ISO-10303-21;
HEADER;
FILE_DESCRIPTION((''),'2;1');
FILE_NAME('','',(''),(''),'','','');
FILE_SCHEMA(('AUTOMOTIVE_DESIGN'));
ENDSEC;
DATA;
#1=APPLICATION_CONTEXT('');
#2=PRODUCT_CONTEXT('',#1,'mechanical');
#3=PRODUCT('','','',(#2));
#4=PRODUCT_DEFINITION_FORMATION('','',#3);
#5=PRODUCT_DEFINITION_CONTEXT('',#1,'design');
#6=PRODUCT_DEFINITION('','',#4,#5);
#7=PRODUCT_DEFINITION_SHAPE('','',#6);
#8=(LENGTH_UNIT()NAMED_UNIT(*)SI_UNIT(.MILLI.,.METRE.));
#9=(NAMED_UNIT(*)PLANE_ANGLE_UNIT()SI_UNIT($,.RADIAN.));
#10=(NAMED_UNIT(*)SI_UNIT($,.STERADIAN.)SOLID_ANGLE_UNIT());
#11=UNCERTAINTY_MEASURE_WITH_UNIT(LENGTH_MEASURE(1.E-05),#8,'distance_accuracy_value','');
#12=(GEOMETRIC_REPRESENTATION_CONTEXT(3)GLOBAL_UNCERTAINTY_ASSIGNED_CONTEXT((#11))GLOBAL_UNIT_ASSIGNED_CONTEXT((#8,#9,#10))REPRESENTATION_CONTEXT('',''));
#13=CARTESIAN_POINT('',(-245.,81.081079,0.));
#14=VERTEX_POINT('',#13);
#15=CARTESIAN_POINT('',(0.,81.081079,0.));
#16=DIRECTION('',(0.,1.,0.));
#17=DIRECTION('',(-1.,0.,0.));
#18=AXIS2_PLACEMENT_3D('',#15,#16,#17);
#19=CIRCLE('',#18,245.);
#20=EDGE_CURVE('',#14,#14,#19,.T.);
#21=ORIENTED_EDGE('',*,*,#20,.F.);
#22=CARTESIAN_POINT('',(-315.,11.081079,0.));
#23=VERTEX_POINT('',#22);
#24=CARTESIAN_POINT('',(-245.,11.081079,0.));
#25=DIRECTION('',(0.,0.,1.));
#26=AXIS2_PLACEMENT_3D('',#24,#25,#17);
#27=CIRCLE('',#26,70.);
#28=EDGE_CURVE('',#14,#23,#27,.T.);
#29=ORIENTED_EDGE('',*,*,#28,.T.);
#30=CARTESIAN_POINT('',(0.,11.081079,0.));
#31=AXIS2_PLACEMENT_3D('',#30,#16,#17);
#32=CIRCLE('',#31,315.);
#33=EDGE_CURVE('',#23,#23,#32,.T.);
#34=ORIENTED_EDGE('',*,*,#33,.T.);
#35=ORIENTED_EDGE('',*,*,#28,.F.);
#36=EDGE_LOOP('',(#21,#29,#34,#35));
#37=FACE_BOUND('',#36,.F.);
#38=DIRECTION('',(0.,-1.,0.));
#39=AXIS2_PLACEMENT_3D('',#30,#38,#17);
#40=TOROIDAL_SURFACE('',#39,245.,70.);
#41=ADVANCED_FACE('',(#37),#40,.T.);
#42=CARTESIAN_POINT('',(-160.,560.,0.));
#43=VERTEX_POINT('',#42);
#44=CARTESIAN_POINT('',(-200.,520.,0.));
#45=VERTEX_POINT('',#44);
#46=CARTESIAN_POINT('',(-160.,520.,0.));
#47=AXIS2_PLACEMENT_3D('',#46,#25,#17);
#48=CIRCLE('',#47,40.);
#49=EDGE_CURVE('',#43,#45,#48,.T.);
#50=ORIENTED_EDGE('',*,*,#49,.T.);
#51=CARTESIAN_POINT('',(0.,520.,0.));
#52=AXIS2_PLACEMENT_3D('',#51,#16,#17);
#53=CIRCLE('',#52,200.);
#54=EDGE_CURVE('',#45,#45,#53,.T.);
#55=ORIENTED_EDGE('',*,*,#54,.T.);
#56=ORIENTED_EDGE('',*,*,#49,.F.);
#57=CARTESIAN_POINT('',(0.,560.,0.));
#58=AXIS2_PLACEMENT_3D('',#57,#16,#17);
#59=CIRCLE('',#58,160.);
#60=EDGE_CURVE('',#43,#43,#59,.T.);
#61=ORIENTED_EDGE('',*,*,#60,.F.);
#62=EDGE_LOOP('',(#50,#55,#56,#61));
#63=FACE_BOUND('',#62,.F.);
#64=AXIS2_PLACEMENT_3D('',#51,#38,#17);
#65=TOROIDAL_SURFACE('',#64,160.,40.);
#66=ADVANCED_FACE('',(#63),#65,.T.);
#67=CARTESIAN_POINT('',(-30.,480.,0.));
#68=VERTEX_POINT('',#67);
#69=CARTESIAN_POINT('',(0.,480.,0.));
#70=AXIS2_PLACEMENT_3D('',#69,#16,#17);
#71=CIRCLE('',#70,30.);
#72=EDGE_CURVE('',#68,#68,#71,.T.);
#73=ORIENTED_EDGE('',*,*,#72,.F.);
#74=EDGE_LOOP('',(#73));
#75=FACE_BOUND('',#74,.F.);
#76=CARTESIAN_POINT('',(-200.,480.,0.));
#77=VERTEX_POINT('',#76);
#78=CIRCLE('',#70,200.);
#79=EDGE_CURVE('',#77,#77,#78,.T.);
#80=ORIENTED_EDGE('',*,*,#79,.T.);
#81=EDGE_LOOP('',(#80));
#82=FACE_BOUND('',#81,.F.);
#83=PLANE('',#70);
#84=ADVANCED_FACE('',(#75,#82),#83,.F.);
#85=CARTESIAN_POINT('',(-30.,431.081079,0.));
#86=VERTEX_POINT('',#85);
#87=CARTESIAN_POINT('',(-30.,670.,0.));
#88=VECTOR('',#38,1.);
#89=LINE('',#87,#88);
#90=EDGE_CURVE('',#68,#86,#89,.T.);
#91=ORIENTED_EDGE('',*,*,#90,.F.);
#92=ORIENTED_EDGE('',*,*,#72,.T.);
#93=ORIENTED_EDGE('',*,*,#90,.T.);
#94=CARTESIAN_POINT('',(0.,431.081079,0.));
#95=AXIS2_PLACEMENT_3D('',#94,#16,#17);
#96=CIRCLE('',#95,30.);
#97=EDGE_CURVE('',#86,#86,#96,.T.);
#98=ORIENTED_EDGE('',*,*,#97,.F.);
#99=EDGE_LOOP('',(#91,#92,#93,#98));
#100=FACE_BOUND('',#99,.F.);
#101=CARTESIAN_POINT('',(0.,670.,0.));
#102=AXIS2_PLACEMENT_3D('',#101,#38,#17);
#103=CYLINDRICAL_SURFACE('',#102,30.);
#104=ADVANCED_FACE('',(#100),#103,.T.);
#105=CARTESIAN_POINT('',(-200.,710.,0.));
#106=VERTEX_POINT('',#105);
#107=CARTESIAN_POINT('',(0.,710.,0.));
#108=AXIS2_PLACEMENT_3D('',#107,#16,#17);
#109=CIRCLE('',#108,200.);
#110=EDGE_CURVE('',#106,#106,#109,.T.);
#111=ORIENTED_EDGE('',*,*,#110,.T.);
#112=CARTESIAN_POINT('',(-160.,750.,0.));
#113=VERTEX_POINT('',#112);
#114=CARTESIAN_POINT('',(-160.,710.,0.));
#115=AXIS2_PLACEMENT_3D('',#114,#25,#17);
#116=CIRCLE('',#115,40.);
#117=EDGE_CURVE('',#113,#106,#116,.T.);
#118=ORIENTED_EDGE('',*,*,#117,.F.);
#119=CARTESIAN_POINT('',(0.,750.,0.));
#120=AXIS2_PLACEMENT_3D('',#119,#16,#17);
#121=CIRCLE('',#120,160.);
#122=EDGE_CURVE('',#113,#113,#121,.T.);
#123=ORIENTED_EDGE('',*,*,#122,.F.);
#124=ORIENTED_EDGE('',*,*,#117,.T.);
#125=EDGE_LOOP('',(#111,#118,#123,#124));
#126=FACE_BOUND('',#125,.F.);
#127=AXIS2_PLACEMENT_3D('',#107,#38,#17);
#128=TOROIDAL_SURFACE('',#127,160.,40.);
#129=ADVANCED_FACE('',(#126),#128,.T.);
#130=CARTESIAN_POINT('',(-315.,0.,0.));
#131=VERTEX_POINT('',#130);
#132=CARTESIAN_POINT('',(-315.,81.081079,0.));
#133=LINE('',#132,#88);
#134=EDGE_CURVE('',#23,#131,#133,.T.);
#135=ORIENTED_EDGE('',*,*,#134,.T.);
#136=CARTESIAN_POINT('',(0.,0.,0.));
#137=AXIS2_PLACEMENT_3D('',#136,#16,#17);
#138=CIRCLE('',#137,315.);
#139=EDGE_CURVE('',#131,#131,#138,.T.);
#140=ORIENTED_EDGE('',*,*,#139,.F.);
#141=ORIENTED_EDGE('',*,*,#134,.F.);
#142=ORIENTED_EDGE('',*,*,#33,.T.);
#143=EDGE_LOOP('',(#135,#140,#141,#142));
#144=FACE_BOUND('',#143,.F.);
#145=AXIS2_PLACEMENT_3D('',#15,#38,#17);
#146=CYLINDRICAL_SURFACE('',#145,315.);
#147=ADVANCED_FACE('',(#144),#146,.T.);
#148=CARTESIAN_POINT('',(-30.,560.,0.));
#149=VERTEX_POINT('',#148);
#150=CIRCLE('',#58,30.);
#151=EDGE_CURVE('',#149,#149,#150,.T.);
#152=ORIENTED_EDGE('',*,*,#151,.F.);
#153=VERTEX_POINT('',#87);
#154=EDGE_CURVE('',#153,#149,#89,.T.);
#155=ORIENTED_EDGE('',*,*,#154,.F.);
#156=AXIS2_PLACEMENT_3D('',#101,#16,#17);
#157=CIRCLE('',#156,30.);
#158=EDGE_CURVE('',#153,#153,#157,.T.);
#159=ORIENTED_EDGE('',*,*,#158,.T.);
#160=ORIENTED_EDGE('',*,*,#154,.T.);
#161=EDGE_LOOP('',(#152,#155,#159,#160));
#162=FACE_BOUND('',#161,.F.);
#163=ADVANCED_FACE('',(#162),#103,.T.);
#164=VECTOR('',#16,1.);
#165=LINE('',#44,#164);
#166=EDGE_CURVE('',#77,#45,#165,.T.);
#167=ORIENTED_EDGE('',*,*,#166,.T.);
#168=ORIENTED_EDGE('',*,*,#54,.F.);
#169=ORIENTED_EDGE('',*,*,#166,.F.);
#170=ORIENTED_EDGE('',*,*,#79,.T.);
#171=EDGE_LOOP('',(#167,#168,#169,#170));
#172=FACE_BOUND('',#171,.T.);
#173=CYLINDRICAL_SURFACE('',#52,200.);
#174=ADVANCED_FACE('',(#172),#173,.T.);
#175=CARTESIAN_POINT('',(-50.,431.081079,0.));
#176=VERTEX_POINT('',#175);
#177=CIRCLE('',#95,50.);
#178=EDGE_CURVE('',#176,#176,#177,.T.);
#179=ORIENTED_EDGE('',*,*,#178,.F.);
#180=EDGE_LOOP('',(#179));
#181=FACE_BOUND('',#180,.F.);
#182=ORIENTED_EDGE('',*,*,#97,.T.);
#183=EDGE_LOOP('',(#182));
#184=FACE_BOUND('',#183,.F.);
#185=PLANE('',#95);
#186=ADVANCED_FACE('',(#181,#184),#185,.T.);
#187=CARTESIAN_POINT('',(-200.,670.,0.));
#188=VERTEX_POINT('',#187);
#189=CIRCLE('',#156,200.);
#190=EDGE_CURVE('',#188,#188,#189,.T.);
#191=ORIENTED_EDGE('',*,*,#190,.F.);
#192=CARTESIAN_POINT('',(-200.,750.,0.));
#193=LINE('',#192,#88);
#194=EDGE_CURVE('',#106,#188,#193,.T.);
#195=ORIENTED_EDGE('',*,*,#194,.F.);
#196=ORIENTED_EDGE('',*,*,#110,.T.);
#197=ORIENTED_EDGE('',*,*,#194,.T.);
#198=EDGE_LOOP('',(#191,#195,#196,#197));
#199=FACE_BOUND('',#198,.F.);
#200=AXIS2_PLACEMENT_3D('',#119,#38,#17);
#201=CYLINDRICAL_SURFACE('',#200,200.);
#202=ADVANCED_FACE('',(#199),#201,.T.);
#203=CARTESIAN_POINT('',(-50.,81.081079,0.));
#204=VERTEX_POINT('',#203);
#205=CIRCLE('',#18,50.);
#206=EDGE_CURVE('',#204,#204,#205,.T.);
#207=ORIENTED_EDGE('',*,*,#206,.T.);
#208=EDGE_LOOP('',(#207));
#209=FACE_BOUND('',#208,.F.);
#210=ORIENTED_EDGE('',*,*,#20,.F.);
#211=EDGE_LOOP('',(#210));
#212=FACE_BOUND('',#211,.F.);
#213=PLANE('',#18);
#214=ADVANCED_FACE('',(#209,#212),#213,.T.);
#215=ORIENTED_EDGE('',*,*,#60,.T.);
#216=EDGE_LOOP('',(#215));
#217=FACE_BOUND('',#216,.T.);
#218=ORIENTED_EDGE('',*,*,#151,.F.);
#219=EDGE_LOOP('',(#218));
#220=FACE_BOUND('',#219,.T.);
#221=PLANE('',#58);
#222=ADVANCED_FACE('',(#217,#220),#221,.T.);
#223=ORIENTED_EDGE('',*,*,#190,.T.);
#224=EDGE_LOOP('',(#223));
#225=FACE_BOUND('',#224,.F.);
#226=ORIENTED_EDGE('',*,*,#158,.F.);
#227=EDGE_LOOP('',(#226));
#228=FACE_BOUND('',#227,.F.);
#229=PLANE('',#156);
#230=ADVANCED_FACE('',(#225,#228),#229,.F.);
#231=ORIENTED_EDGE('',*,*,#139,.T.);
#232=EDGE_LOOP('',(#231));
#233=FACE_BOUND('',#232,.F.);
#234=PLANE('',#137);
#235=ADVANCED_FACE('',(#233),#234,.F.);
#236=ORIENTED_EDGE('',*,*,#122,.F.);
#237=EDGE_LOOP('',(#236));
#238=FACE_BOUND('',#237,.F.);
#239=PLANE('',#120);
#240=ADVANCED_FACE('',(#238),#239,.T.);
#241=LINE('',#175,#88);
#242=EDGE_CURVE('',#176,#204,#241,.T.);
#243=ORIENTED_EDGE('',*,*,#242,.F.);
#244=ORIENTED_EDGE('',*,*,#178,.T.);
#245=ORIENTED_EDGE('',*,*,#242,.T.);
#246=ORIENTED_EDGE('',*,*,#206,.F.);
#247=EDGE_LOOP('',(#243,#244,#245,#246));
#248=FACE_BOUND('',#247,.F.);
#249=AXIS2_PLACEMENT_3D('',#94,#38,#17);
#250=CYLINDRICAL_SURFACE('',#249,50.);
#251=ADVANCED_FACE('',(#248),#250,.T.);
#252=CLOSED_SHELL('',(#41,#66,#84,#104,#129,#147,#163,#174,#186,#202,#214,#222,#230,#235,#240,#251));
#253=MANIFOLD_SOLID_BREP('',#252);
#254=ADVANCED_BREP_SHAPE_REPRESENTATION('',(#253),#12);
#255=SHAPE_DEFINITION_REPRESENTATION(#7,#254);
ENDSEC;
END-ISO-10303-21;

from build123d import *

# Parameters (mm, degrees)
F0_W   = 30
F0_H   = 110
F0_H_2 = 80
F0_H_3 = 48.918920987
F0_W_2 = 170
F2_R   = 40
F3_R   = 40
F4_R   = 70


with BuildPart() as f1:
    # F0 (on Top) → F1 (revolve)
    with BuildSketch(Plane.XY):
        Polygon((-30, 670), (0, 670), (0, 750), (-200, 750), (-200, 670), align=None)
        with Locations((-15, 615)):
            Rectangle(F0_W, F0_H)
        with Locations((-15, 520)):
            Rectangle(F0_W, F0_H_2)
        with Locations((-15, 455.5405395065)):
            Rectangle(F0_W, F0_H_3)
        with Locations((-115, 520)):
            Rectangle(F0_W_2, F0_H_2)
        Polygon((-50, 81.081079013), (0, 81.081079013), (0, 431.081079013), (-30, 431.081079013), (-50, 431.081079013), align=None)
        Polygon((-315, 81.081079013), (-315, 0), (0, 0), (0, 81.081079013), (-50, 81.081079013), align=None)
    revolve(axis=Axis((0, 590.3630256653, 0), (0, 1, 0)))

    # F2
    f2_edges = [f1.edges().sort_by_distance(p)[0] for p in [
        (200, 750, 0),
    ]]
    fillet(f2_edges, radius=F2_R)

    # F3
    f3_edges = [f1.edges().sort_by_distance(p)[0] for p in [
        (200, 560, 0),
    ]]
    fillet(f3_edges, radius=F3_R)

    # F4
    f4_edges = [f1.edges().sort_by_distance(p)[0] for p in [
        (315, 81.081079, 0),
    ]]
    fillet(f4_edges, radius=F4_R)


solid = f1.part
